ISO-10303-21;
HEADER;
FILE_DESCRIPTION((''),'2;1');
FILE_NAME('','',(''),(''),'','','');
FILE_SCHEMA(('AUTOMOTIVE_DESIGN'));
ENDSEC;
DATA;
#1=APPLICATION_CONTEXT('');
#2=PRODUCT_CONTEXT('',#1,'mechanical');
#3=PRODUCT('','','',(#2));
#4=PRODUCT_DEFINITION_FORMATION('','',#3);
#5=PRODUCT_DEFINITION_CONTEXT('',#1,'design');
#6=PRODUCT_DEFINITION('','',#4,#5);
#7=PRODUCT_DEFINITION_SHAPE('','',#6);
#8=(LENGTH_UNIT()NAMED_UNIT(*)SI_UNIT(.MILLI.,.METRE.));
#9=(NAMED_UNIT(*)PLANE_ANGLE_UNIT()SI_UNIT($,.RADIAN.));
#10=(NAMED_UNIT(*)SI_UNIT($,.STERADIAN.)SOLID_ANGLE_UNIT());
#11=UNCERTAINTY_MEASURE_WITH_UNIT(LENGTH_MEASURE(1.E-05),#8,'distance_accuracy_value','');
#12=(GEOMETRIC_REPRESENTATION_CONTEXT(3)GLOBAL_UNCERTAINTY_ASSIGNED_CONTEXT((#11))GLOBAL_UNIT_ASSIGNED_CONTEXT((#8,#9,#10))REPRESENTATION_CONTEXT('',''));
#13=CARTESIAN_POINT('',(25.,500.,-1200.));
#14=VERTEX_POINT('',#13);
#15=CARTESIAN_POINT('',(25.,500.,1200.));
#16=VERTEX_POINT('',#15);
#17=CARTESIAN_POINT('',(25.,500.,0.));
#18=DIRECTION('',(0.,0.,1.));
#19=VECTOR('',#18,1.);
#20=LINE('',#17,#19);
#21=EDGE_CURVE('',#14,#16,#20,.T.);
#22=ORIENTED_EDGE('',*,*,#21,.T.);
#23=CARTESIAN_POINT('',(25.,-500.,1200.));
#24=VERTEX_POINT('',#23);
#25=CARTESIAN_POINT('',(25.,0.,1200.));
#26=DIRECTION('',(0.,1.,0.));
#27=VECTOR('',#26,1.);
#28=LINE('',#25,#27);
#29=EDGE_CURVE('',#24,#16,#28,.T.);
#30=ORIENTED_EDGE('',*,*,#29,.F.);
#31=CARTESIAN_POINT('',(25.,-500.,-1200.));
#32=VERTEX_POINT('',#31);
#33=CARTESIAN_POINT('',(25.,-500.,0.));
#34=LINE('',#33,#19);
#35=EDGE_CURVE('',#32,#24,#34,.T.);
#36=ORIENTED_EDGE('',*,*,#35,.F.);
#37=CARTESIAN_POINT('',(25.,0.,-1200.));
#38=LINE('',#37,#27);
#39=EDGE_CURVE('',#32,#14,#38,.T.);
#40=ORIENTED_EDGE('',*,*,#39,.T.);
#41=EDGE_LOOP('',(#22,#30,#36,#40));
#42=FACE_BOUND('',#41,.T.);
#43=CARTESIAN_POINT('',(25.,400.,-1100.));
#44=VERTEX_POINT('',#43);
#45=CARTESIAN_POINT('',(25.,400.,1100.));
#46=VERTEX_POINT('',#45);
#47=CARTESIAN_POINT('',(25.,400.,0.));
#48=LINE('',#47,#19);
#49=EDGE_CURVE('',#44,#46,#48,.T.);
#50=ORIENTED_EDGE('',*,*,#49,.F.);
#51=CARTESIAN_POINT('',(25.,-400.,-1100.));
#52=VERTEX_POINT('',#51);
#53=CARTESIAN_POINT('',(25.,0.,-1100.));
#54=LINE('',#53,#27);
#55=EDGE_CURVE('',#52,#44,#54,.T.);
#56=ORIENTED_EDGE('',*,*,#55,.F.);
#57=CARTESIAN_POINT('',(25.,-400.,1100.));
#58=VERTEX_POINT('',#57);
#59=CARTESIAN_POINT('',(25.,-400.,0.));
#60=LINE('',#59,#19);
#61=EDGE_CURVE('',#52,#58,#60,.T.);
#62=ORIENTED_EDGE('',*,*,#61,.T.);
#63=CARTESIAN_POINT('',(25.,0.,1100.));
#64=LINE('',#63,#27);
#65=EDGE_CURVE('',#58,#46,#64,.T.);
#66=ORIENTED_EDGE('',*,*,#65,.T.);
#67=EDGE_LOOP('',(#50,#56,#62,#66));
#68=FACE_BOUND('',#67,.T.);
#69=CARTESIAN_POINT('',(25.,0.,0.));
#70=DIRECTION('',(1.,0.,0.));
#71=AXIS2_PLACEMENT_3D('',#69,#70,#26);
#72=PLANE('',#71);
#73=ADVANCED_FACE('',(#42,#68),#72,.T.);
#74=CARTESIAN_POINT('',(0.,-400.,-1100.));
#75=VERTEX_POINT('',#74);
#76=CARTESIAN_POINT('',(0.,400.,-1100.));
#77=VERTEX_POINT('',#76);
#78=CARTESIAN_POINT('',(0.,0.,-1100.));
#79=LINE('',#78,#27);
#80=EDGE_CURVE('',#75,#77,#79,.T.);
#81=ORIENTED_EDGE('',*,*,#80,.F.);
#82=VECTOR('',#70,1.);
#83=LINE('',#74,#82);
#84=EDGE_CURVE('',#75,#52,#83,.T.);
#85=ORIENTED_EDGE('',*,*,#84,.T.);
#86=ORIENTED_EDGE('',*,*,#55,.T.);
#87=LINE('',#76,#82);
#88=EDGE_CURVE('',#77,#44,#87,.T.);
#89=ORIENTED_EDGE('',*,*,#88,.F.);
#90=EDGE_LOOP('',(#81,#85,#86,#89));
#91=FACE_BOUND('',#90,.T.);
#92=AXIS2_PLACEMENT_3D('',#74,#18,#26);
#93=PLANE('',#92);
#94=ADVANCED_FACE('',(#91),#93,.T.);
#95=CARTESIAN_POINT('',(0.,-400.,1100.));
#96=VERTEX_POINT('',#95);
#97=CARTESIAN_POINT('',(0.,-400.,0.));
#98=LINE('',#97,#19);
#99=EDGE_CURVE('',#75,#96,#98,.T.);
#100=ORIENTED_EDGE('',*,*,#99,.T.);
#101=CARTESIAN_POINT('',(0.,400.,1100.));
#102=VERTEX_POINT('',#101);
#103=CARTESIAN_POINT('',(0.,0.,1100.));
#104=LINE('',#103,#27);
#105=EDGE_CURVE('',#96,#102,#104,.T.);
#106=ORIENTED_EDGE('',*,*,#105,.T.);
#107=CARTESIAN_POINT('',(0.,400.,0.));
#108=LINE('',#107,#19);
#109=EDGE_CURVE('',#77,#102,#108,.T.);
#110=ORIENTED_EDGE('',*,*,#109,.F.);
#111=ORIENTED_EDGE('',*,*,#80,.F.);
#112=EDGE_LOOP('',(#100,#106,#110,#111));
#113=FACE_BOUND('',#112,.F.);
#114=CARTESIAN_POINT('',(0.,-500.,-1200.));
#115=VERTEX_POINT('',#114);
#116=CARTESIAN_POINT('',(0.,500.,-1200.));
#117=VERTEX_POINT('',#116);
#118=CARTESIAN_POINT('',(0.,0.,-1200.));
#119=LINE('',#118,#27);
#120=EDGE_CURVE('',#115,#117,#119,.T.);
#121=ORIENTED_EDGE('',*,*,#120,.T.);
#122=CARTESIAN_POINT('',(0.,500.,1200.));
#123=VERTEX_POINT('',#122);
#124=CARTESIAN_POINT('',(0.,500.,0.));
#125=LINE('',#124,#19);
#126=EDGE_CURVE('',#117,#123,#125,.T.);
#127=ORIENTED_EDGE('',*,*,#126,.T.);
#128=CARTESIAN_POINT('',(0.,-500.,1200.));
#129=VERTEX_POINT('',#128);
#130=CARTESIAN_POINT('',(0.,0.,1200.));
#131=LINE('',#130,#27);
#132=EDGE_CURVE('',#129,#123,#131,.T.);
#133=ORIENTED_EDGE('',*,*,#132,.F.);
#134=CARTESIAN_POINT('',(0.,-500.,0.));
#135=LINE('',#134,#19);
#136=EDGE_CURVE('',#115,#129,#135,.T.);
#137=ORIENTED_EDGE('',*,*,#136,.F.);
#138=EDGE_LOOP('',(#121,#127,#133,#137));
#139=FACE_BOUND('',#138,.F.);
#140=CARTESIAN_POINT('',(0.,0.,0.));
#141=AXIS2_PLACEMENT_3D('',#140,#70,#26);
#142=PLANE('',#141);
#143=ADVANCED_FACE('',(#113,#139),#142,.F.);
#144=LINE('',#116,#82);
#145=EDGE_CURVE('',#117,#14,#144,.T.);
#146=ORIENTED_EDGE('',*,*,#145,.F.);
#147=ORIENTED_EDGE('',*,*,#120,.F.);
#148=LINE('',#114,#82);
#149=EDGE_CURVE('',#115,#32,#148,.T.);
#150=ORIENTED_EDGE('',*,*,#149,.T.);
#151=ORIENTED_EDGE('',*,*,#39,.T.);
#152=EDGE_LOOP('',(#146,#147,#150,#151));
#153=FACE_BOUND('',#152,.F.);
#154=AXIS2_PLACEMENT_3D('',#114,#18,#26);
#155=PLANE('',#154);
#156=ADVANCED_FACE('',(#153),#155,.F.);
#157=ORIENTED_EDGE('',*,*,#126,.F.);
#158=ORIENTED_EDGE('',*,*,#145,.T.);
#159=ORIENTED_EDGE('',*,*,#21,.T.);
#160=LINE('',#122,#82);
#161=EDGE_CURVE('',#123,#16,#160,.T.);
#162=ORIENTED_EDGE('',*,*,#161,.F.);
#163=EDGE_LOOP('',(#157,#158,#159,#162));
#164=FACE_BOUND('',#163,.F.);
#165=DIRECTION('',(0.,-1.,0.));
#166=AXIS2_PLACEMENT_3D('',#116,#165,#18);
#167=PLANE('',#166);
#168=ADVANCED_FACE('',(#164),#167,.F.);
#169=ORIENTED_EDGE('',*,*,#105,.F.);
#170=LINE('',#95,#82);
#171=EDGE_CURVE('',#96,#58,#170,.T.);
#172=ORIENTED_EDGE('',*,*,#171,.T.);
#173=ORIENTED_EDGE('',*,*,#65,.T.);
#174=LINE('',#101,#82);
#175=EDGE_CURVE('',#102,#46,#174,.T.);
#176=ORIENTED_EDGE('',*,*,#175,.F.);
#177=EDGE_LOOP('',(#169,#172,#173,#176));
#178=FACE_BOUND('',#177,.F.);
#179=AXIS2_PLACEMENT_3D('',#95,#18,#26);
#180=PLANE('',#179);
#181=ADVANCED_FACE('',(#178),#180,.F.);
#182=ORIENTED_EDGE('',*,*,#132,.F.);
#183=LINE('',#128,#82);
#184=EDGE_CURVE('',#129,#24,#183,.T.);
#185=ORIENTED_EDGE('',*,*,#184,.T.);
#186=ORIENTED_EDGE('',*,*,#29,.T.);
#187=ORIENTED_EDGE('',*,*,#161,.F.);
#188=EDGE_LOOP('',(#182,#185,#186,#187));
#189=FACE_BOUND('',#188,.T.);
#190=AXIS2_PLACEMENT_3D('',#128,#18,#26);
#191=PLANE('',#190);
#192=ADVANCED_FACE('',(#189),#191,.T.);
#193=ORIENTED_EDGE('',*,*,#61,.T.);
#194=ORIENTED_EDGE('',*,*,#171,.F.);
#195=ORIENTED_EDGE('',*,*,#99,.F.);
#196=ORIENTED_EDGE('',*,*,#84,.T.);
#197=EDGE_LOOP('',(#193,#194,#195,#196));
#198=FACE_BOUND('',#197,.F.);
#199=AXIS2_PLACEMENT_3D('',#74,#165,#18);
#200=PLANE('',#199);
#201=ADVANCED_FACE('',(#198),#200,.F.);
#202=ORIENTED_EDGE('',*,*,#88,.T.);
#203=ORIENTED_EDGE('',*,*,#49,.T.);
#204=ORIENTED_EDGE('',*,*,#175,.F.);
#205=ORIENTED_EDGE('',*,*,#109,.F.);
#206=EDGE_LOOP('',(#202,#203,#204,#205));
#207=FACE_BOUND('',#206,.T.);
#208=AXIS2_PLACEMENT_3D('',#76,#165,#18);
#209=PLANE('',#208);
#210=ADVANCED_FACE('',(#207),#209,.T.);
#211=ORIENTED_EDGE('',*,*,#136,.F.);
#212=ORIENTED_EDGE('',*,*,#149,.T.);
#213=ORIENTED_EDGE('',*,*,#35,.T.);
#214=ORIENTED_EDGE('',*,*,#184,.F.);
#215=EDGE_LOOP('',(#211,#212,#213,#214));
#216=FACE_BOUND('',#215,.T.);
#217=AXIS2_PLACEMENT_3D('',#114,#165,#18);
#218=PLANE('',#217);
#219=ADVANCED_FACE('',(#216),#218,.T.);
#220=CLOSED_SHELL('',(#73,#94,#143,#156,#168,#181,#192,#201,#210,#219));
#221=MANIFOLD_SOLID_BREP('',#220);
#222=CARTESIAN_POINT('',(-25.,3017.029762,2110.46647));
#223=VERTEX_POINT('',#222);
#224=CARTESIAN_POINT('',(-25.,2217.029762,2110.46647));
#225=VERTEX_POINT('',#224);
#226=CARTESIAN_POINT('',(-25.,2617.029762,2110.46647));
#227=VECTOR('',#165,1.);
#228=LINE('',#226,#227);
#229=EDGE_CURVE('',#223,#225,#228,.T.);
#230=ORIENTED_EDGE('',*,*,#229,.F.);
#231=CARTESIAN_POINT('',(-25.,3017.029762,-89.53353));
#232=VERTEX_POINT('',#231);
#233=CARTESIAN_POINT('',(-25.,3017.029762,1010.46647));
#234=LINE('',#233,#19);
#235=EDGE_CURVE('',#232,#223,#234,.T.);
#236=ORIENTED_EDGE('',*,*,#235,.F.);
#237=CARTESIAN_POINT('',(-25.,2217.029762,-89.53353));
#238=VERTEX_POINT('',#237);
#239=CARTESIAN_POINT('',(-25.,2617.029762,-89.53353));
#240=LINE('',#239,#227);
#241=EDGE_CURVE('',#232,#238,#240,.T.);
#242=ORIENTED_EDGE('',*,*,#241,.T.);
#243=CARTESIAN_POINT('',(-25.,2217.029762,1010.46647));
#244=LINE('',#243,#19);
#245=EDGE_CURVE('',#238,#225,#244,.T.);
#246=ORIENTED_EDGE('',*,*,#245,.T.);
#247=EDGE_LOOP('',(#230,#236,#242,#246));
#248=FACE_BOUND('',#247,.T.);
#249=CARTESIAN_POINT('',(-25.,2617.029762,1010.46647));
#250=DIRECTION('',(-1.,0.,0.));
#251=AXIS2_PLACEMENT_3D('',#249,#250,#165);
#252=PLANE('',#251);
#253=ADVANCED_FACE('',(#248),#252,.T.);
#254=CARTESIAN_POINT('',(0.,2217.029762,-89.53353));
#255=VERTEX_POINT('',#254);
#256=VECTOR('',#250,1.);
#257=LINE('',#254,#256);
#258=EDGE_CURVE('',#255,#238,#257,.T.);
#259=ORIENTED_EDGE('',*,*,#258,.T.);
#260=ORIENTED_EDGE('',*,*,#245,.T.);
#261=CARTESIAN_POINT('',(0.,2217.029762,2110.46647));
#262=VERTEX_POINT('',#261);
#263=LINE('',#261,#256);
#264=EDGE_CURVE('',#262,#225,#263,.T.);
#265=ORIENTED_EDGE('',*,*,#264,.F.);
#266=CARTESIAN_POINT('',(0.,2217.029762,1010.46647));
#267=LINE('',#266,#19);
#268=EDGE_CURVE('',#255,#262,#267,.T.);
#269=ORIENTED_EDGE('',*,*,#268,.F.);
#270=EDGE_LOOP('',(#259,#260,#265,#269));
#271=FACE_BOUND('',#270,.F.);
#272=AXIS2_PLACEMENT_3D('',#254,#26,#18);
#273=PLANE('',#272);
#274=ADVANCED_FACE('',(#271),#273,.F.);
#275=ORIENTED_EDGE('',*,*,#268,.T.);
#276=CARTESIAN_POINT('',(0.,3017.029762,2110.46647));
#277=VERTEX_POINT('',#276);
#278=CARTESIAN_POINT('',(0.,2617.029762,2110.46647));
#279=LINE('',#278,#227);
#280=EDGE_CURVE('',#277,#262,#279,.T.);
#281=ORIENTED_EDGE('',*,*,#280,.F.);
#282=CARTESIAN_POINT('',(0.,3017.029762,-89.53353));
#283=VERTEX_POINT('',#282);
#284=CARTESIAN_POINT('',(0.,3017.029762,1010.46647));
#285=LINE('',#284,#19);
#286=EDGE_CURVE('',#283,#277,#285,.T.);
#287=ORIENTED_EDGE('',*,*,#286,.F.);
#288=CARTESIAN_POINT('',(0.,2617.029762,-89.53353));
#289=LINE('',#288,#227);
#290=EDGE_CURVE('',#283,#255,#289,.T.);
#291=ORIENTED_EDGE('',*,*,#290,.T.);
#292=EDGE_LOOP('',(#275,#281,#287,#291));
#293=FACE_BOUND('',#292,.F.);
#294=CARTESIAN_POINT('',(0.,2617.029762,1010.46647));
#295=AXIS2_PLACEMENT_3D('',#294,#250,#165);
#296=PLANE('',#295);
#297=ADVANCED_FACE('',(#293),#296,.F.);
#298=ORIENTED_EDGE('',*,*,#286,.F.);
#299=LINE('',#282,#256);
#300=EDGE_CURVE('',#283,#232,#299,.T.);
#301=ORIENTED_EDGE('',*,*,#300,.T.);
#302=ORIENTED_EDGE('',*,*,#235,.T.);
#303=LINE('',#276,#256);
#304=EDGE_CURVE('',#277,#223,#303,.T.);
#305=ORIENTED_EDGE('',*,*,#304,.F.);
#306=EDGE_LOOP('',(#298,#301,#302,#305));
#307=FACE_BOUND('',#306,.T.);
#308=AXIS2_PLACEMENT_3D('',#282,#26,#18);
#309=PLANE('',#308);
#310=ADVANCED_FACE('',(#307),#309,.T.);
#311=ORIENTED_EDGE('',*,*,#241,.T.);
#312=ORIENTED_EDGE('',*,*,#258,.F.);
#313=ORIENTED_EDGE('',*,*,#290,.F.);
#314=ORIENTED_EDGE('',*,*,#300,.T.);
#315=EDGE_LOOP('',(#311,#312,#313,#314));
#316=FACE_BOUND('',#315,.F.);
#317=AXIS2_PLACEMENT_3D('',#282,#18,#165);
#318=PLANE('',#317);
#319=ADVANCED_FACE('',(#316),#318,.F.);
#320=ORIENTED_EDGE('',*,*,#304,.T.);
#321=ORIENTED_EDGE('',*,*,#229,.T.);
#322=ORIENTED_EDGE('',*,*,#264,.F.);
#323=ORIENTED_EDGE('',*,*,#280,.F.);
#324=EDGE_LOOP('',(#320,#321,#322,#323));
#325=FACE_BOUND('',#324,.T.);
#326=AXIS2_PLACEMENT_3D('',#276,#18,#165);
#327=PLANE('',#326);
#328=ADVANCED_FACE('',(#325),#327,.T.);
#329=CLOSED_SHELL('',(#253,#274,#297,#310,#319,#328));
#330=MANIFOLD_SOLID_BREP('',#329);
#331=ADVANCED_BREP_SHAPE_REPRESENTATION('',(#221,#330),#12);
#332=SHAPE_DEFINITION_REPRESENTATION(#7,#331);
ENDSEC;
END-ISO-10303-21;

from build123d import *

# Parameters (mm, degrees)
F0_W     = 1000
F0_H     = 2400
F0_W_2   = 800
F0_H_2   = 2200
F1_DEPTH = 25
F2_W     = 800
F2_H     = 2200
F3_DEPTH = 25


with BuildPart() as f1:
    # F0 (on Right) → F1 (new body)
    with BuildSketch(Plane.YZ):
        Rectangle(F0_W, F0_H)
        Rectangle(F0_W_2, F0_H_2, mode=Mode.SUBTRACT)
    extrude(amount=F1_DEPTH)


with BuildPart() as f3:
    # F2 (on face) → F3 (new body)
    with BuildSketch(Plane(origin=(0, 0, 0), x_dir=(0, -1, 0), z_dir=(-1, 0, 0))):
        with Locations((-2617.029762, 1010.46647)):
            Rectangle(F2_W, F2_H)
    extrude(amount=F3_DEPTH)


solid = Compound([f1.part, f3.part])
